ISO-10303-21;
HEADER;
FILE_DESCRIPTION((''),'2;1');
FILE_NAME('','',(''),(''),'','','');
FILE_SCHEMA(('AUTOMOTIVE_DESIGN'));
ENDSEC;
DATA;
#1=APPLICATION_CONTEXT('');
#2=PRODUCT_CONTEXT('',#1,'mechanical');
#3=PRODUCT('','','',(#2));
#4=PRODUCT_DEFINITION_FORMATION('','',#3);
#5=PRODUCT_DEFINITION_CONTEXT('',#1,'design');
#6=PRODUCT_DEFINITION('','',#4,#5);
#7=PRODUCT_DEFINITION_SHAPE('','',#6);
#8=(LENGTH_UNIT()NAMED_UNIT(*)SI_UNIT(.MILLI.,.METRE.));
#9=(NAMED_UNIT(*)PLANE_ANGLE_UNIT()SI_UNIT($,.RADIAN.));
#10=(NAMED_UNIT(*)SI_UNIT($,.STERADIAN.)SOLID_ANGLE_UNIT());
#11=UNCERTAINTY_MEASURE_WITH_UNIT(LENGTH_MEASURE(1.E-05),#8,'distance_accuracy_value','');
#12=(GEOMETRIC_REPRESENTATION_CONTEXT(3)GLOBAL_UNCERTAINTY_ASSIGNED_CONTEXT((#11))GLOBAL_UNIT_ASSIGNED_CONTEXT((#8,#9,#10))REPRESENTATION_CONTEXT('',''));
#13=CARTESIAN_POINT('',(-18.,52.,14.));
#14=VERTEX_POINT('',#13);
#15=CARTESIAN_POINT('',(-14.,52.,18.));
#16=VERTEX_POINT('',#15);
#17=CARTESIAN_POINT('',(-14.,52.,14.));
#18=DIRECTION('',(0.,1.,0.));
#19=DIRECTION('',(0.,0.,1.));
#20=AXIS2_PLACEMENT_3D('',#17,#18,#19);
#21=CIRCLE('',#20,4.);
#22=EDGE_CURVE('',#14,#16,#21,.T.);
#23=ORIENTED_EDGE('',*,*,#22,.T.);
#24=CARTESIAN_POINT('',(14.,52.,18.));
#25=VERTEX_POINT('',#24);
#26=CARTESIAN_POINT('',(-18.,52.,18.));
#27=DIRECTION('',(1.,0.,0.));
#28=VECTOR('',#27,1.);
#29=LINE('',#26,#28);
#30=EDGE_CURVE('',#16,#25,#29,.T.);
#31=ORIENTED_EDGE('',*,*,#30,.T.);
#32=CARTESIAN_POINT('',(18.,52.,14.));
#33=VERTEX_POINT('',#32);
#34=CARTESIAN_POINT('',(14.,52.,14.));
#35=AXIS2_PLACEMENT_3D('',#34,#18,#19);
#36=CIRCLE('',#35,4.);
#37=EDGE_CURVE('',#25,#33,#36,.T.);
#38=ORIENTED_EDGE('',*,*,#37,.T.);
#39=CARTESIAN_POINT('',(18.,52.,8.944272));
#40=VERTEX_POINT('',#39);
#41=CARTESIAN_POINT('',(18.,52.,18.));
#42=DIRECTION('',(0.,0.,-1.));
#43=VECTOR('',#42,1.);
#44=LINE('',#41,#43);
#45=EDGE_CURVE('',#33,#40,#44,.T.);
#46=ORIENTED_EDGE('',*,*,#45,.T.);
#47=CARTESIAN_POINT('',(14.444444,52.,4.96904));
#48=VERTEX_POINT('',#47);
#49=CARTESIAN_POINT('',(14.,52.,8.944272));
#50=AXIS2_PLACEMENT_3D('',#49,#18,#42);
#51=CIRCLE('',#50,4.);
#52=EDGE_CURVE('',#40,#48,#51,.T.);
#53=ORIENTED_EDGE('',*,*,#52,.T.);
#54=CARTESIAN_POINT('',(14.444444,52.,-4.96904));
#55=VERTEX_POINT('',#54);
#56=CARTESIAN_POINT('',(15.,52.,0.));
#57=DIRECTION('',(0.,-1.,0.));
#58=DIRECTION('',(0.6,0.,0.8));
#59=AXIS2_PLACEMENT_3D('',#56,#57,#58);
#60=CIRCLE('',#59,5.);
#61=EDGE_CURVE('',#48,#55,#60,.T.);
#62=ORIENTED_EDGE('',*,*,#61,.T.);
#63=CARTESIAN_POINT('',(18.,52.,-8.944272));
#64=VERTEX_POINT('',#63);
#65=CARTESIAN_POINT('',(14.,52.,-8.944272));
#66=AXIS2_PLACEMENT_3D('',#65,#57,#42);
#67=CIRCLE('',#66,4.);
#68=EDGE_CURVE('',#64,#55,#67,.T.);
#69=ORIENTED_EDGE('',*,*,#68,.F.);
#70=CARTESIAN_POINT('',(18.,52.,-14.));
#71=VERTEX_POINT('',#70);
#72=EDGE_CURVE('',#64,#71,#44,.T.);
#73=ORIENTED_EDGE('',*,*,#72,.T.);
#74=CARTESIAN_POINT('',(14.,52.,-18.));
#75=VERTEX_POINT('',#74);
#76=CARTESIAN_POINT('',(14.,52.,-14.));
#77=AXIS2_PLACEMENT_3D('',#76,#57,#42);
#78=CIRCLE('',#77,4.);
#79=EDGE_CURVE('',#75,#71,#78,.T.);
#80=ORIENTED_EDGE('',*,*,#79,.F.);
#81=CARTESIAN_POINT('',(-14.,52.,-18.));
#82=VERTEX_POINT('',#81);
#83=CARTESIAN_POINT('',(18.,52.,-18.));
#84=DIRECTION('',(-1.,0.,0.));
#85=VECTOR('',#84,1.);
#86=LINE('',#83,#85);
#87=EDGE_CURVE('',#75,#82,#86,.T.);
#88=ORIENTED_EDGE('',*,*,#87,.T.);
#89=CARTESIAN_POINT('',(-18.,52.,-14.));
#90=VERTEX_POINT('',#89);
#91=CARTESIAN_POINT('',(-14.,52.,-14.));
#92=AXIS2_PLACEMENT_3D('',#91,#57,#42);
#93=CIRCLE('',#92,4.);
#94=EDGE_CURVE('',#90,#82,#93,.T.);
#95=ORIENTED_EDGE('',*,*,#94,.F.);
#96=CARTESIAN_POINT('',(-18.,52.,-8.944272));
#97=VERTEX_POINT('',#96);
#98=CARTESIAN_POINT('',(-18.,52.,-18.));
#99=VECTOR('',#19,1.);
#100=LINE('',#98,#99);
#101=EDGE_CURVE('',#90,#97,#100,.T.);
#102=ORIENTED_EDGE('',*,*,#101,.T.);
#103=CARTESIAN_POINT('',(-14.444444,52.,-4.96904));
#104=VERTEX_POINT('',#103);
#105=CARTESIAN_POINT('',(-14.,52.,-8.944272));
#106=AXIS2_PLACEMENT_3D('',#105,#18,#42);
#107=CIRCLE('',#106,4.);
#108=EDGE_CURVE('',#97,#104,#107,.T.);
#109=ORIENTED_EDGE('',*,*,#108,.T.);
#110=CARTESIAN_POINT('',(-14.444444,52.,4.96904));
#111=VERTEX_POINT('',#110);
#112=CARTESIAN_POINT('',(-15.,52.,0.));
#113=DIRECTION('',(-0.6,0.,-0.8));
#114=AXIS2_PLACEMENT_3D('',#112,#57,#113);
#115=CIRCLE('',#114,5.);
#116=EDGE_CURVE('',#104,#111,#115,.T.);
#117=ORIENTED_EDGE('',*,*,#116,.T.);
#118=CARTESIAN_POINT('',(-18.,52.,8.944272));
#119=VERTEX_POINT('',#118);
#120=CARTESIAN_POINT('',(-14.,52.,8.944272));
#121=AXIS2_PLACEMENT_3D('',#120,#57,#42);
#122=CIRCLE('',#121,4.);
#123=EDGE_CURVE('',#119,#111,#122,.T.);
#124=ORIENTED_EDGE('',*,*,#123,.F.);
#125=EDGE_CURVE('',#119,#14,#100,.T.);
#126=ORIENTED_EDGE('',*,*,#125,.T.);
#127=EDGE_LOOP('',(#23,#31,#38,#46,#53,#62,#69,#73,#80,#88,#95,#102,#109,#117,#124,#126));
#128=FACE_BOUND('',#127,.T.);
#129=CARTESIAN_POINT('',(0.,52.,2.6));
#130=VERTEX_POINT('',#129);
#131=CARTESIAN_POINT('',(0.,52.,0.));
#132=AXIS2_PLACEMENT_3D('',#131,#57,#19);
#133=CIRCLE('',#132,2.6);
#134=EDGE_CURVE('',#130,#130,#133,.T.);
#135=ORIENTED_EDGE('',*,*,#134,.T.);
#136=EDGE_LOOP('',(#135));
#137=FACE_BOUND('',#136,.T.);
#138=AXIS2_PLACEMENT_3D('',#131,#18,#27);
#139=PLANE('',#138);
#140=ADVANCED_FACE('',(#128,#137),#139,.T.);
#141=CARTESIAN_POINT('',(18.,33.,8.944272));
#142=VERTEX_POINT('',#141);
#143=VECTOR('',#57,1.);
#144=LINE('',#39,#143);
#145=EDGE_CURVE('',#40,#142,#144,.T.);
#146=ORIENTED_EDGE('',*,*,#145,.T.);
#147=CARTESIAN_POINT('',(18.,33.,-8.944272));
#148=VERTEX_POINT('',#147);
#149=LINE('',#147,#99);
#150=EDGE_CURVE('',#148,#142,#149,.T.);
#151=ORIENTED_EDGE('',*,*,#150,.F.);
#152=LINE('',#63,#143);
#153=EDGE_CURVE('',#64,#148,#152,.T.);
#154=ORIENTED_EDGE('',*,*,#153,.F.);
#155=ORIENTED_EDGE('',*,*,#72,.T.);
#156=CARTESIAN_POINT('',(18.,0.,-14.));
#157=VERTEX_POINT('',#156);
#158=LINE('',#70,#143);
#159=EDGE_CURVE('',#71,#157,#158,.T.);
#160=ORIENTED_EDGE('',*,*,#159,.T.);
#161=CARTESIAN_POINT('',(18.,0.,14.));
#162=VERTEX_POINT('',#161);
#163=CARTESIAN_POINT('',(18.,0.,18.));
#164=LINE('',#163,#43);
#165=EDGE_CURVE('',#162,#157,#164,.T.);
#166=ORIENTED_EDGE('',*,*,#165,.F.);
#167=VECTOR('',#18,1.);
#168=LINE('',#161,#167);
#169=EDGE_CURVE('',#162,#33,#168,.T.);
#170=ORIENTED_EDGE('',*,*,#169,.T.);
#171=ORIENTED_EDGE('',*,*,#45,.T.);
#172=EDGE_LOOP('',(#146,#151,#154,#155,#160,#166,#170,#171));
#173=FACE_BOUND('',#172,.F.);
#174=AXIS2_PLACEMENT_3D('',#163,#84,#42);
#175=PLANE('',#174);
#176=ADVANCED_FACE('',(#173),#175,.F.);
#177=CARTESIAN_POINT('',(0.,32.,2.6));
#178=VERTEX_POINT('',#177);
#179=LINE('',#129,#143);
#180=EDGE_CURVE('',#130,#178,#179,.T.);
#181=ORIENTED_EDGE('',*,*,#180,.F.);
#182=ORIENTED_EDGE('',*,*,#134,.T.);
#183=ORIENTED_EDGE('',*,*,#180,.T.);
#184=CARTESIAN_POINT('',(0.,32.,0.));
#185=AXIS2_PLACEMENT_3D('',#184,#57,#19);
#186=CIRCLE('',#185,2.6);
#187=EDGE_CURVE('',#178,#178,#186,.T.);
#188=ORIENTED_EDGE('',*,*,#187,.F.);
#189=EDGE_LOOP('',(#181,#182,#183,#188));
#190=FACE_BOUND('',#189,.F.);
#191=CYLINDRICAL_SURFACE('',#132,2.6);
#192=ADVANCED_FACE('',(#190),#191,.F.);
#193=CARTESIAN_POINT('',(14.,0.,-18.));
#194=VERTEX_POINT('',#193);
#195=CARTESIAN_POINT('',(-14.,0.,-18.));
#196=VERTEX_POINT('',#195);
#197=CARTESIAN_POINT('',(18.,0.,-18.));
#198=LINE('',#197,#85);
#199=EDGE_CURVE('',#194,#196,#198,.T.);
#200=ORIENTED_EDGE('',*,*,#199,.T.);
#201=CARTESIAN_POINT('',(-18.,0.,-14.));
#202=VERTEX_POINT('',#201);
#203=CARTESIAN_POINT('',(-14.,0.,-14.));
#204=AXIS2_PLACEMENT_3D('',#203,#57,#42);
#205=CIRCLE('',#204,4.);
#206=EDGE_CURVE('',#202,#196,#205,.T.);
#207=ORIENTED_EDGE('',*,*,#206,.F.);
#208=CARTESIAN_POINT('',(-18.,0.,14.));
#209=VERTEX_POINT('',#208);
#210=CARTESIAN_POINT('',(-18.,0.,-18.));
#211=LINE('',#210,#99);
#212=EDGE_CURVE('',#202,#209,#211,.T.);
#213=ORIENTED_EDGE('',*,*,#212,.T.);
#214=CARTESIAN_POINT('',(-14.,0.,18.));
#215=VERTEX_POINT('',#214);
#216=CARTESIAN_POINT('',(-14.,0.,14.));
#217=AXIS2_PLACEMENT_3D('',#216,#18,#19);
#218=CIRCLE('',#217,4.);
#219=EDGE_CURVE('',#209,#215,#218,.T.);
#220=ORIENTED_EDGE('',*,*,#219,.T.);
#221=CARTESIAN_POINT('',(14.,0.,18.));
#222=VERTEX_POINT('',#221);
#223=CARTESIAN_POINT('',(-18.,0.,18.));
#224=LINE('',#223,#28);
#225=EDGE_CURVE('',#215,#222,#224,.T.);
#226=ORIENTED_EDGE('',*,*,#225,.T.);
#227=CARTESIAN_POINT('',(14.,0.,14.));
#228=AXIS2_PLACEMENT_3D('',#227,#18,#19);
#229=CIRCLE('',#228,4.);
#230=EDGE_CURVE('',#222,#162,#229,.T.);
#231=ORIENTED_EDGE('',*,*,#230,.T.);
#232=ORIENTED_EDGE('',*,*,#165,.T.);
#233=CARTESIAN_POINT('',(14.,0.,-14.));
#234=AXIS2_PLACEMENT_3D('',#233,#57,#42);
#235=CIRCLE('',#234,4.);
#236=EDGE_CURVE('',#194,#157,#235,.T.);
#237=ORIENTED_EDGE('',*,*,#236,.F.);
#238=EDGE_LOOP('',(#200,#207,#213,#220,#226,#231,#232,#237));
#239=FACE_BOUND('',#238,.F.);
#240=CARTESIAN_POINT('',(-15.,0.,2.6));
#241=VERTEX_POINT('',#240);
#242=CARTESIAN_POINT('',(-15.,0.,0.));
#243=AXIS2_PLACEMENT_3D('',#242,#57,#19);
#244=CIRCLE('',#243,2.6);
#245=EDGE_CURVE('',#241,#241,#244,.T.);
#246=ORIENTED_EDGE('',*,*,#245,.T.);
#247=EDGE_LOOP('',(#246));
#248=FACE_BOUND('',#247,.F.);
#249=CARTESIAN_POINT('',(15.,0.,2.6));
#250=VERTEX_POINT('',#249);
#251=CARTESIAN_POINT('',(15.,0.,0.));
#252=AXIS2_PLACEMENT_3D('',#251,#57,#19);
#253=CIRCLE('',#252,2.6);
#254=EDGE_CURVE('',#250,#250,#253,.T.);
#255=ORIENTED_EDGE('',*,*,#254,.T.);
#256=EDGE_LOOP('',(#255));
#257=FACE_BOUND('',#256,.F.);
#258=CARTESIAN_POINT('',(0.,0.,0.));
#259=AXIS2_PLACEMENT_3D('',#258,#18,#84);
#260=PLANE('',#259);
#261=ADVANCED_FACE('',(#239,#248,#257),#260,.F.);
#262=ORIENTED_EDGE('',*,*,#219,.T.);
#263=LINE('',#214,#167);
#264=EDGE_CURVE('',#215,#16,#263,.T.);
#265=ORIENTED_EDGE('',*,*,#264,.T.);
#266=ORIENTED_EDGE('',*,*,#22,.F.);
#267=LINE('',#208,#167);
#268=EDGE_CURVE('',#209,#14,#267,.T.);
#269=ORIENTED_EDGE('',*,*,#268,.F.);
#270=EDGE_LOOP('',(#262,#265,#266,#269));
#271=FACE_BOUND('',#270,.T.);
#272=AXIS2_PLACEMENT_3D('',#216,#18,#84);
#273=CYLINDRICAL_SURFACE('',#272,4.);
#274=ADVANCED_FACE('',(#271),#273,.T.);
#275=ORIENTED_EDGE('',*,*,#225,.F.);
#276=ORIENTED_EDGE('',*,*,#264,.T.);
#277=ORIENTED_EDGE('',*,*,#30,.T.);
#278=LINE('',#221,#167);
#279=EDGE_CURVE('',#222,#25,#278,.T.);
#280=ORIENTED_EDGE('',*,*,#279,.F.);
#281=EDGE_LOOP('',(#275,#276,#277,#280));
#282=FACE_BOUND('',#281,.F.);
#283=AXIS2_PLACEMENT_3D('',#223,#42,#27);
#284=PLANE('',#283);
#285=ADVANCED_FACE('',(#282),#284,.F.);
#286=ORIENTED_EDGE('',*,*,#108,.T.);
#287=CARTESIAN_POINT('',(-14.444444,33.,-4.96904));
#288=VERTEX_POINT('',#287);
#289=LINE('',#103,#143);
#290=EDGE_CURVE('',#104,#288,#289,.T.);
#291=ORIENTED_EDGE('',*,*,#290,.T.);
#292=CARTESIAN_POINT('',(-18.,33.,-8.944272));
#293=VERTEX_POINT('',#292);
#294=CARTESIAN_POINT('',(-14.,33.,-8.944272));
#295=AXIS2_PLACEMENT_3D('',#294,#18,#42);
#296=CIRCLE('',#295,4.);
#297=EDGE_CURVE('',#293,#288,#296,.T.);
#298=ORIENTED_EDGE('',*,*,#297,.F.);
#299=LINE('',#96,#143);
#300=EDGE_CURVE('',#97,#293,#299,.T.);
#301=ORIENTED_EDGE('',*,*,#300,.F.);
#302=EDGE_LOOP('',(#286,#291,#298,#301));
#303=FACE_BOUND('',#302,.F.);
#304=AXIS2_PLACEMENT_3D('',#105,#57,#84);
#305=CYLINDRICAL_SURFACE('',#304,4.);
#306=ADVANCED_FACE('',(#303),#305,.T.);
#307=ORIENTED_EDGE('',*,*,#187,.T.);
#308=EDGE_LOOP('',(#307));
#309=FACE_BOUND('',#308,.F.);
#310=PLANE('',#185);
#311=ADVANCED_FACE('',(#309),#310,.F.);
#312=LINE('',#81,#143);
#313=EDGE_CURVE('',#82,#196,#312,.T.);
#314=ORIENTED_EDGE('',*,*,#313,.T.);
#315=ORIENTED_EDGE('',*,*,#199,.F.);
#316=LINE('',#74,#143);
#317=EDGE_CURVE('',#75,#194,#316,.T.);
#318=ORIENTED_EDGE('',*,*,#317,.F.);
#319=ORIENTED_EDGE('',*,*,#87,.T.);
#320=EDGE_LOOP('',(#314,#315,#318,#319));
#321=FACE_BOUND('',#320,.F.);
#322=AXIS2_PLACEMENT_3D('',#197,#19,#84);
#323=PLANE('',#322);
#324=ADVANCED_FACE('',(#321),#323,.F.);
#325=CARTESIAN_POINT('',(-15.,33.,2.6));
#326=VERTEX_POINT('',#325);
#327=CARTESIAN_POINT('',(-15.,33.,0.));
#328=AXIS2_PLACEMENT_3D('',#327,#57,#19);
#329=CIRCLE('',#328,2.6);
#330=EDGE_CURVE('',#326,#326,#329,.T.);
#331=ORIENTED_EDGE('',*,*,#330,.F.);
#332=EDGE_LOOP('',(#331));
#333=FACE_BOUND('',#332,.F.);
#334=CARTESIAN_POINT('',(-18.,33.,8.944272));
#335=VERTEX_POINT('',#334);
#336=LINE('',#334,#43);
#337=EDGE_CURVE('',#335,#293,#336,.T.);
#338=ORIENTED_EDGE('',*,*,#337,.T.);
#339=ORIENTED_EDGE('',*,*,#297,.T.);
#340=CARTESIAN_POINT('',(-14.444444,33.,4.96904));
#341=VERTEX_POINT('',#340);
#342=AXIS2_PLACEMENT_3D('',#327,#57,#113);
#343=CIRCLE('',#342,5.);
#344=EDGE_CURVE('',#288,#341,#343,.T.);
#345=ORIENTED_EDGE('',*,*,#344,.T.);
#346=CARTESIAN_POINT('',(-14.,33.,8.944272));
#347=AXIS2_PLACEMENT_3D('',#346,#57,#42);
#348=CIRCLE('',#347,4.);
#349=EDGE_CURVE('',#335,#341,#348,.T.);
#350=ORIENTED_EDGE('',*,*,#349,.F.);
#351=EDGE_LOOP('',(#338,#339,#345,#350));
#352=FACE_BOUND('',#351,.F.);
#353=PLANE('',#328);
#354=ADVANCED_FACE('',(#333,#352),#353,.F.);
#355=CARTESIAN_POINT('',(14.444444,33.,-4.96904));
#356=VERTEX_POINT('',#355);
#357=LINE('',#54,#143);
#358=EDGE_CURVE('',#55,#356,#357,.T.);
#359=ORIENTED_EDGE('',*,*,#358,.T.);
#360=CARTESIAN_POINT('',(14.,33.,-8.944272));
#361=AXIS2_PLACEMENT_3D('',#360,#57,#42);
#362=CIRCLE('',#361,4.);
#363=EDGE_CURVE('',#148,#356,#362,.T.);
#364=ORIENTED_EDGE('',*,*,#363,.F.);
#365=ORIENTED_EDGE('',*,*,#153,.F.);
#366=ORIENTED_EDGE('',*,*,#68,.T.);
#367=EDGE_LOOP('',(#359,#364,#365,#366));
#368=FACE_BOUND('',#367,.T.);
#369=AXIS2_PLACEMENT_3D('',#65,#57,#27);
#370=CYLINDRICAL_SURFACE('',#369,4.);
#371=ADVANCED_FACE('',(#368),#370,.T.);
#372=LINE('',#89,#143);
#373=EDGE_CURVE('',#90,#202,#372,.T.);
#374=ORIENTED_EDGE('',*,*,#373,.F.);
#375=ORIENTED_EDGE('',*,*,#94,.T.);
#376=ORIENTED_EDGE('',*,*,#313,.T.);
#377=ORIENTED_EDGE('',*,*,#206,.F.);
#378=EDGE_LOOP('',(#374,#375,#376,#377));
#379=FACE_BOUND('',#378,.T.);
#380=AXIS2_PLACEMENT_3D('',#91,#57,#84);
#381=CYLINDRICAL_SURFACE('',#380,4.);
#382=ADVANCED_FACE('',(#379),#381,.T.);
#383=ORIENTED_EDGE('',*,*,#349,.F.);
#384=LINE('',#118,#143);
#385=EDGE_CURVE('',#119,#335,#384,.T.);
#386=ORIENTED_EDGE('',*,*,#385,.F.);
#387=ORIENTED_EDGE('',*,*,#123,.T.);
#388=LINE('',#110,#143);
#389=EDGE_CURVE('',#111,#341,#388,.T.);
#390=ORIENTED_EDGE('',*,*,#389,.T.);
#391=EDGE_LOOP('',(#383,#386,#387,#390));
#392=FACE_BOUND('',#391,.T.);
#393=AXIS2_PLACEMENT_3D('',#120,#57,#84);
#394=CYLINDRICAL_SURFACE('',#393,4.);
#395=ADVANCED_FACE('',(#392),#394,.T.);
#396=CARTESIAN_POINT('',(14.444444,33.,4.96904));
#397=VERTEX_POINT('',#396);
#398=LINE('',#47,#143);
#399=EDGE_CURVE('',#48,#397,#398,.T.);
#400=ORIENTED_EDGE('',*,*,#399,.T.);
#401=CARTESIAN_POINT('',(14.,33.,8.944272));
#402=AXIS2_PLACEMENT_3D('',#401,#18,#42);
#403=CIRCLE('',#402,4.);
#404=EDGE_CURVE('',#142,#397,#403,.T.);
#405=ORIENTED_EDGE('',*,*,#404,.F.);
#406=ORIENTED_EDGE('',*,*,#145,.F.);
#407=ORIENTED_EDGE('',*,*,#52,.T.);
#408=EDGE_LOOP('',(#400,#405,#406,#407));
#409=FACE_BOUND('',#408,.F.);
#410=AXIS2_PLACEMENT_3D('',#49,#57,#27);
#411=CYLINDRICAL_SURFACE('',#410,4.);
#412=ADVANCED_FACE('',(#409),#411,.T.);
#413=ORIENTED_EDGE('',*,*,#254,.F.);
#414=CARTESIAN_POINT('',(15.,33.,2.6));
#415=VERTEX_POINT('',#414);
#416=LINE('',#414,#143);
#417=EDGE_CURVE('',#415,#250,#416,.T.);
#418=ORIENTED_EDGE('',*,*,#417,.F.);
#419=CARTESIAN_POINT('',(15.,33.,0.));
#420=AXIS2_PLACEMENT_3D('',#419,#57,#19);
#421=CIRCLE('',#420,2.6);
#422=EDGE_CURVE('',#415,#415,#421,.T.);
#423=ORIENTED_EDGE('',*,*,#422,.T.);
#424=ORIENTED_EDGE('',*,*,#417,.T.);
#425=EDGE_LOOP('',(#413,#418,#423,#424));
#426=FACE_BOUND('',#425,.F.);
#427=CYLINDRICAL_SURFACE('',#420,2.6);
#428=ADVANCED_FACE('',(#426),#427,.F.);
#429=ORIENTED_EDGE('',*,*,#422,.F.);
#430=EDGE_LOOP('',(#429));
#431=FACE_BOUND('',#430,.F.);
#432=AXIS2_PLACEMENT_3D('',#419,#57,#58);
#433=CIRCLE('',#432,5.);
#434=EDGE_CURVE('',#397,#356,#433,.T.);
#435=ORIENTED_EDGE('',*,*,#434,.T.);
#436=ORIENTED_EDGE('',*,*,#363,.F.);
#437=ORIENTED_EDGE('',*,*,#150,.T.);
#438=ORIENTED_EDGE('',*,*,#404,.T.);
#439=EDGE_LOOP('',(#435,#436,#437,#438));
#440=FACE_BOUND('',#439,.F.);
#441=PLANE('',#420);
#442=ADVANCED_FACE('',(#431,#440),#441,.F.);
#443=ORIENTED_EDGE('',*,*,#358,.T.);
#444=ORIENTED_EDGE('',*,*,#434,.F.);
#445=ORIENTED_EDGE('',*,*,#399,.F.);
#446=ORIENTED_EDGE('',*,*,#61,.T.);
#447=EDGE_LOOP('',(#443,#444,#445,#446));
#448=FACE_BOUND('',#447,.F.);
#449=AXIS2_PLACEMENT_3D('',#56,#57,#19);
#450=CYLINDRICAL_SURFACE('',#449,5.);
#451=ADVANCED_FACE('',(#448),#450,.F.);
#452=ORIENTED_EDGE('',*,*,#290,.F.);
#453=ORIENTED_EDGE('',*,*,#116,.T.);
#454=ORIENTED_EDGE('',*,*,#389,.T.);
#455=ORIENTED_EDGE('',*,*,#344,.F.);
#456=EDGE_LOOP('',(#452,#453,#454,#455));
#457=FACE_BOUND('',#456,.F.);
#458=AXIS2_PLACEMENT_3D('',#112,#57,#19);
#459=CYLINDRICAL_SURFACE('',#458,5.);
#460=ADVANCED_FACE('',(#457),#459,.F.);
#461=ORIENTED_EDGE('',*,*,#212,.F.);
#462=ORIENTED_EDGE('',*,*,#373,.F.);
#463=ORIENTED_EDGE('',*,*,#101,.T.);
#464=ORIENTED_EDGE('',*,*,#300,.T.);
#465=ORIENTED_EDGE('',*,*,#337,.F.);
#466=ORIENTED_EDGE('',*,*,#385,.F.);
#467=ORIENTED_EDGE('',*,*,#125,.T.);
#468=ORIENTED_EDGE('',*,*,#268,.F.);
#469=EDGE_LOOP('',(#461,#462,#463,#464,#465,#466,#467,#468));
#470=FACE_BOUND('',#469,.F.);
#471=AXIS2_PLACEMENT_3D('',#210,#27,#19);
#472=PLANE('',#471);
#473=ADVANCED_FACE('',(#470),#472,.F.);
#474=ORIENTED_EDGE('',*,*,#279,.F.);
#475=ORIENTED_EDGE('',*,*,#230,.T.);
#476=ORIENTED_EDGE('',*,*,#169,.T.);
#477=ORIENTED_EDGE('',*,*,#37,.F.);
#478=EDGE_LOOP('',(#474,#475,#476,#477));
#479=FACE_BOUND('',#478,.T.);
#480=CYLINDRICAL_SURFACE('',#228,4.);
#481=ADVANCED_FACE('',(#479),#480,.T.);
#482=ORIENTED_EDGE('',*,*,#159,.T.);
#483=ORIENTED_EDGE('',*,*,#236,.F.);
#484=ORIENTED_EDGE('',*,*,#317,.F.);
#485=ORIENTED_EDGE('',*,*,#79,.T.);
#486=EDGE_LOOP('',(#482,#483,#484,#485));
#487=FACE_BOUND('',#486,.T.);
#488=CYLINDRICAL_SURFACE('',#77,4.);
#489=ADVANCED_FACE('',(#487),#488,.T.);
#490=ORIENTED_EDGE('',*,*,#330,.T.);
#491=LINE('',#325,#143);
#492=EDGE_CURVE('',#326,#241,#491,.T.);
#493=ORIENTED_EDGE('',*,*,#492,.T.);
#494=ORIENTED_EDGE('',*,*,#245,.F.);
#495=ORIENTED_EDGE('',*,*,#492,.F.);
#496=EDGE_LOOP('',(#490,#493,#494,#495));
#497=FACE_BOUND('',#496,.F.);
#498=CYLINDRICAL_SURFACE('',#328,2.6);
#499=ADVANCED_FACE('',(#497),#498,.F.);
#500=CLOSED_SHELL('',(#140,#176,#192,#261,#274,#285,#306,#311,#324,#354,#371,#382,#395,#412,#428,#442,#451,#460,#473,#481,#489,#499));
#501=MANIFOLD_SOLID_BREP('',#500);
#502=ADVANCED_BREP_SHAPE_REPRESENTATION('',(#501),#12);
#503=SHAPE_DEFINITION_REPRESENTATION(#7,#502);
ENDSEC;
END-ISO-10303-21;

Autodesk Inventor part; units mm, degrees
ref_plane "YZ Plane" through (0, 0, 0) normal (1, 0, 0) x (0, 1, 0)
ref_plane "XZ Plane" through (0, 0, 0) normal (0, 1, 0) x (-1, 0, 0)
ref_plane "XY Plane" through (0, 0, 0) normal (0, 0, 1) x (1, 0, 0)
sketch "Sketch1" plane through (0, 0, 0) normal (0, 1, 0) x (-1, 0, 0)
  line L0 (18, 18) -> (-18, 18)
  line L1 (-18, 18) -> (-18, -18)
  line L2 (-18, -18) -> (18, -18)
  line L3 (18, -18) -> (18, 18)
  line L4 (18, 18) -> (-18, -18) construction
  line L5 (-18, 18) -> (18, -18) construction
  point P0 (0, 0)
  dimension "d0" = 36
  dimension "d1" = 36
extrude "Extrusion1" add sketch "Sketch1" along normal blind 5
sketch "Sketch2" plane through (0, 5, 0) normal (0, 1, 0) x (1, 0, 0)
  line L0 (18, -18) -> (18, 18) projected
  line L1 (18, 18) -> (-18, 18) projected
  line L2 (-18, 18) -> (-18, -18) projected
  line L3 (-18, -18) -> (18, -18) projected
  line L4 (-18, -18) -> (18, -18)
  line L5 (18, -18) -> (18, 18)
  line L6 (18, 18) -> (-18, 18)
  line L7 (-18, 18) -> (-18, -18)
  line L8 (-18, -18) -> (18, 18) construction
  line L9 (18, -18) -> (-18, 18) construction
  point P0 (0, 0)
extrude "Extrusion2" add sketch "Sketch2" along normal blind 47
sketch "Sketch3" plane through (0, 52, 0) normal (0, 1, 0) x (1, 0, 0)
  line L0 (-15, 0) -> (15, 0) construction
  point P0 (0, 0)
  point P1 (0, 0)
  dimension "d6" = 30
hole "Hole1" at (-15, 52, 0) at (15, 52, 0) direction (0, -1, 0) diameter 5.2 end through all counterbore diameter 10 counterbore depth 19
fillet "Fillet1" radius 4 8 edges at (18, 26, 18) (-18, 26, 18) (18, 26, -18) (-18, 26, -18) (18, 42.5, -4) (18, 42.5, 4) (-18, 42.5, 4) (-18, 42.5, -4)
sketch "Sketch4" plane through (0, 52, 0) normal (0, 1, 0) x (1, 0, 0)
  point P0 (0, 0)
  point P1 (0, 0)
hole "Hole2" at (0, 52, 0) direction (0, -1, 0) diameter 5.2 depth 20
properties part number "LED Power Box (12V) Pillar" material "ABS Plastic"
